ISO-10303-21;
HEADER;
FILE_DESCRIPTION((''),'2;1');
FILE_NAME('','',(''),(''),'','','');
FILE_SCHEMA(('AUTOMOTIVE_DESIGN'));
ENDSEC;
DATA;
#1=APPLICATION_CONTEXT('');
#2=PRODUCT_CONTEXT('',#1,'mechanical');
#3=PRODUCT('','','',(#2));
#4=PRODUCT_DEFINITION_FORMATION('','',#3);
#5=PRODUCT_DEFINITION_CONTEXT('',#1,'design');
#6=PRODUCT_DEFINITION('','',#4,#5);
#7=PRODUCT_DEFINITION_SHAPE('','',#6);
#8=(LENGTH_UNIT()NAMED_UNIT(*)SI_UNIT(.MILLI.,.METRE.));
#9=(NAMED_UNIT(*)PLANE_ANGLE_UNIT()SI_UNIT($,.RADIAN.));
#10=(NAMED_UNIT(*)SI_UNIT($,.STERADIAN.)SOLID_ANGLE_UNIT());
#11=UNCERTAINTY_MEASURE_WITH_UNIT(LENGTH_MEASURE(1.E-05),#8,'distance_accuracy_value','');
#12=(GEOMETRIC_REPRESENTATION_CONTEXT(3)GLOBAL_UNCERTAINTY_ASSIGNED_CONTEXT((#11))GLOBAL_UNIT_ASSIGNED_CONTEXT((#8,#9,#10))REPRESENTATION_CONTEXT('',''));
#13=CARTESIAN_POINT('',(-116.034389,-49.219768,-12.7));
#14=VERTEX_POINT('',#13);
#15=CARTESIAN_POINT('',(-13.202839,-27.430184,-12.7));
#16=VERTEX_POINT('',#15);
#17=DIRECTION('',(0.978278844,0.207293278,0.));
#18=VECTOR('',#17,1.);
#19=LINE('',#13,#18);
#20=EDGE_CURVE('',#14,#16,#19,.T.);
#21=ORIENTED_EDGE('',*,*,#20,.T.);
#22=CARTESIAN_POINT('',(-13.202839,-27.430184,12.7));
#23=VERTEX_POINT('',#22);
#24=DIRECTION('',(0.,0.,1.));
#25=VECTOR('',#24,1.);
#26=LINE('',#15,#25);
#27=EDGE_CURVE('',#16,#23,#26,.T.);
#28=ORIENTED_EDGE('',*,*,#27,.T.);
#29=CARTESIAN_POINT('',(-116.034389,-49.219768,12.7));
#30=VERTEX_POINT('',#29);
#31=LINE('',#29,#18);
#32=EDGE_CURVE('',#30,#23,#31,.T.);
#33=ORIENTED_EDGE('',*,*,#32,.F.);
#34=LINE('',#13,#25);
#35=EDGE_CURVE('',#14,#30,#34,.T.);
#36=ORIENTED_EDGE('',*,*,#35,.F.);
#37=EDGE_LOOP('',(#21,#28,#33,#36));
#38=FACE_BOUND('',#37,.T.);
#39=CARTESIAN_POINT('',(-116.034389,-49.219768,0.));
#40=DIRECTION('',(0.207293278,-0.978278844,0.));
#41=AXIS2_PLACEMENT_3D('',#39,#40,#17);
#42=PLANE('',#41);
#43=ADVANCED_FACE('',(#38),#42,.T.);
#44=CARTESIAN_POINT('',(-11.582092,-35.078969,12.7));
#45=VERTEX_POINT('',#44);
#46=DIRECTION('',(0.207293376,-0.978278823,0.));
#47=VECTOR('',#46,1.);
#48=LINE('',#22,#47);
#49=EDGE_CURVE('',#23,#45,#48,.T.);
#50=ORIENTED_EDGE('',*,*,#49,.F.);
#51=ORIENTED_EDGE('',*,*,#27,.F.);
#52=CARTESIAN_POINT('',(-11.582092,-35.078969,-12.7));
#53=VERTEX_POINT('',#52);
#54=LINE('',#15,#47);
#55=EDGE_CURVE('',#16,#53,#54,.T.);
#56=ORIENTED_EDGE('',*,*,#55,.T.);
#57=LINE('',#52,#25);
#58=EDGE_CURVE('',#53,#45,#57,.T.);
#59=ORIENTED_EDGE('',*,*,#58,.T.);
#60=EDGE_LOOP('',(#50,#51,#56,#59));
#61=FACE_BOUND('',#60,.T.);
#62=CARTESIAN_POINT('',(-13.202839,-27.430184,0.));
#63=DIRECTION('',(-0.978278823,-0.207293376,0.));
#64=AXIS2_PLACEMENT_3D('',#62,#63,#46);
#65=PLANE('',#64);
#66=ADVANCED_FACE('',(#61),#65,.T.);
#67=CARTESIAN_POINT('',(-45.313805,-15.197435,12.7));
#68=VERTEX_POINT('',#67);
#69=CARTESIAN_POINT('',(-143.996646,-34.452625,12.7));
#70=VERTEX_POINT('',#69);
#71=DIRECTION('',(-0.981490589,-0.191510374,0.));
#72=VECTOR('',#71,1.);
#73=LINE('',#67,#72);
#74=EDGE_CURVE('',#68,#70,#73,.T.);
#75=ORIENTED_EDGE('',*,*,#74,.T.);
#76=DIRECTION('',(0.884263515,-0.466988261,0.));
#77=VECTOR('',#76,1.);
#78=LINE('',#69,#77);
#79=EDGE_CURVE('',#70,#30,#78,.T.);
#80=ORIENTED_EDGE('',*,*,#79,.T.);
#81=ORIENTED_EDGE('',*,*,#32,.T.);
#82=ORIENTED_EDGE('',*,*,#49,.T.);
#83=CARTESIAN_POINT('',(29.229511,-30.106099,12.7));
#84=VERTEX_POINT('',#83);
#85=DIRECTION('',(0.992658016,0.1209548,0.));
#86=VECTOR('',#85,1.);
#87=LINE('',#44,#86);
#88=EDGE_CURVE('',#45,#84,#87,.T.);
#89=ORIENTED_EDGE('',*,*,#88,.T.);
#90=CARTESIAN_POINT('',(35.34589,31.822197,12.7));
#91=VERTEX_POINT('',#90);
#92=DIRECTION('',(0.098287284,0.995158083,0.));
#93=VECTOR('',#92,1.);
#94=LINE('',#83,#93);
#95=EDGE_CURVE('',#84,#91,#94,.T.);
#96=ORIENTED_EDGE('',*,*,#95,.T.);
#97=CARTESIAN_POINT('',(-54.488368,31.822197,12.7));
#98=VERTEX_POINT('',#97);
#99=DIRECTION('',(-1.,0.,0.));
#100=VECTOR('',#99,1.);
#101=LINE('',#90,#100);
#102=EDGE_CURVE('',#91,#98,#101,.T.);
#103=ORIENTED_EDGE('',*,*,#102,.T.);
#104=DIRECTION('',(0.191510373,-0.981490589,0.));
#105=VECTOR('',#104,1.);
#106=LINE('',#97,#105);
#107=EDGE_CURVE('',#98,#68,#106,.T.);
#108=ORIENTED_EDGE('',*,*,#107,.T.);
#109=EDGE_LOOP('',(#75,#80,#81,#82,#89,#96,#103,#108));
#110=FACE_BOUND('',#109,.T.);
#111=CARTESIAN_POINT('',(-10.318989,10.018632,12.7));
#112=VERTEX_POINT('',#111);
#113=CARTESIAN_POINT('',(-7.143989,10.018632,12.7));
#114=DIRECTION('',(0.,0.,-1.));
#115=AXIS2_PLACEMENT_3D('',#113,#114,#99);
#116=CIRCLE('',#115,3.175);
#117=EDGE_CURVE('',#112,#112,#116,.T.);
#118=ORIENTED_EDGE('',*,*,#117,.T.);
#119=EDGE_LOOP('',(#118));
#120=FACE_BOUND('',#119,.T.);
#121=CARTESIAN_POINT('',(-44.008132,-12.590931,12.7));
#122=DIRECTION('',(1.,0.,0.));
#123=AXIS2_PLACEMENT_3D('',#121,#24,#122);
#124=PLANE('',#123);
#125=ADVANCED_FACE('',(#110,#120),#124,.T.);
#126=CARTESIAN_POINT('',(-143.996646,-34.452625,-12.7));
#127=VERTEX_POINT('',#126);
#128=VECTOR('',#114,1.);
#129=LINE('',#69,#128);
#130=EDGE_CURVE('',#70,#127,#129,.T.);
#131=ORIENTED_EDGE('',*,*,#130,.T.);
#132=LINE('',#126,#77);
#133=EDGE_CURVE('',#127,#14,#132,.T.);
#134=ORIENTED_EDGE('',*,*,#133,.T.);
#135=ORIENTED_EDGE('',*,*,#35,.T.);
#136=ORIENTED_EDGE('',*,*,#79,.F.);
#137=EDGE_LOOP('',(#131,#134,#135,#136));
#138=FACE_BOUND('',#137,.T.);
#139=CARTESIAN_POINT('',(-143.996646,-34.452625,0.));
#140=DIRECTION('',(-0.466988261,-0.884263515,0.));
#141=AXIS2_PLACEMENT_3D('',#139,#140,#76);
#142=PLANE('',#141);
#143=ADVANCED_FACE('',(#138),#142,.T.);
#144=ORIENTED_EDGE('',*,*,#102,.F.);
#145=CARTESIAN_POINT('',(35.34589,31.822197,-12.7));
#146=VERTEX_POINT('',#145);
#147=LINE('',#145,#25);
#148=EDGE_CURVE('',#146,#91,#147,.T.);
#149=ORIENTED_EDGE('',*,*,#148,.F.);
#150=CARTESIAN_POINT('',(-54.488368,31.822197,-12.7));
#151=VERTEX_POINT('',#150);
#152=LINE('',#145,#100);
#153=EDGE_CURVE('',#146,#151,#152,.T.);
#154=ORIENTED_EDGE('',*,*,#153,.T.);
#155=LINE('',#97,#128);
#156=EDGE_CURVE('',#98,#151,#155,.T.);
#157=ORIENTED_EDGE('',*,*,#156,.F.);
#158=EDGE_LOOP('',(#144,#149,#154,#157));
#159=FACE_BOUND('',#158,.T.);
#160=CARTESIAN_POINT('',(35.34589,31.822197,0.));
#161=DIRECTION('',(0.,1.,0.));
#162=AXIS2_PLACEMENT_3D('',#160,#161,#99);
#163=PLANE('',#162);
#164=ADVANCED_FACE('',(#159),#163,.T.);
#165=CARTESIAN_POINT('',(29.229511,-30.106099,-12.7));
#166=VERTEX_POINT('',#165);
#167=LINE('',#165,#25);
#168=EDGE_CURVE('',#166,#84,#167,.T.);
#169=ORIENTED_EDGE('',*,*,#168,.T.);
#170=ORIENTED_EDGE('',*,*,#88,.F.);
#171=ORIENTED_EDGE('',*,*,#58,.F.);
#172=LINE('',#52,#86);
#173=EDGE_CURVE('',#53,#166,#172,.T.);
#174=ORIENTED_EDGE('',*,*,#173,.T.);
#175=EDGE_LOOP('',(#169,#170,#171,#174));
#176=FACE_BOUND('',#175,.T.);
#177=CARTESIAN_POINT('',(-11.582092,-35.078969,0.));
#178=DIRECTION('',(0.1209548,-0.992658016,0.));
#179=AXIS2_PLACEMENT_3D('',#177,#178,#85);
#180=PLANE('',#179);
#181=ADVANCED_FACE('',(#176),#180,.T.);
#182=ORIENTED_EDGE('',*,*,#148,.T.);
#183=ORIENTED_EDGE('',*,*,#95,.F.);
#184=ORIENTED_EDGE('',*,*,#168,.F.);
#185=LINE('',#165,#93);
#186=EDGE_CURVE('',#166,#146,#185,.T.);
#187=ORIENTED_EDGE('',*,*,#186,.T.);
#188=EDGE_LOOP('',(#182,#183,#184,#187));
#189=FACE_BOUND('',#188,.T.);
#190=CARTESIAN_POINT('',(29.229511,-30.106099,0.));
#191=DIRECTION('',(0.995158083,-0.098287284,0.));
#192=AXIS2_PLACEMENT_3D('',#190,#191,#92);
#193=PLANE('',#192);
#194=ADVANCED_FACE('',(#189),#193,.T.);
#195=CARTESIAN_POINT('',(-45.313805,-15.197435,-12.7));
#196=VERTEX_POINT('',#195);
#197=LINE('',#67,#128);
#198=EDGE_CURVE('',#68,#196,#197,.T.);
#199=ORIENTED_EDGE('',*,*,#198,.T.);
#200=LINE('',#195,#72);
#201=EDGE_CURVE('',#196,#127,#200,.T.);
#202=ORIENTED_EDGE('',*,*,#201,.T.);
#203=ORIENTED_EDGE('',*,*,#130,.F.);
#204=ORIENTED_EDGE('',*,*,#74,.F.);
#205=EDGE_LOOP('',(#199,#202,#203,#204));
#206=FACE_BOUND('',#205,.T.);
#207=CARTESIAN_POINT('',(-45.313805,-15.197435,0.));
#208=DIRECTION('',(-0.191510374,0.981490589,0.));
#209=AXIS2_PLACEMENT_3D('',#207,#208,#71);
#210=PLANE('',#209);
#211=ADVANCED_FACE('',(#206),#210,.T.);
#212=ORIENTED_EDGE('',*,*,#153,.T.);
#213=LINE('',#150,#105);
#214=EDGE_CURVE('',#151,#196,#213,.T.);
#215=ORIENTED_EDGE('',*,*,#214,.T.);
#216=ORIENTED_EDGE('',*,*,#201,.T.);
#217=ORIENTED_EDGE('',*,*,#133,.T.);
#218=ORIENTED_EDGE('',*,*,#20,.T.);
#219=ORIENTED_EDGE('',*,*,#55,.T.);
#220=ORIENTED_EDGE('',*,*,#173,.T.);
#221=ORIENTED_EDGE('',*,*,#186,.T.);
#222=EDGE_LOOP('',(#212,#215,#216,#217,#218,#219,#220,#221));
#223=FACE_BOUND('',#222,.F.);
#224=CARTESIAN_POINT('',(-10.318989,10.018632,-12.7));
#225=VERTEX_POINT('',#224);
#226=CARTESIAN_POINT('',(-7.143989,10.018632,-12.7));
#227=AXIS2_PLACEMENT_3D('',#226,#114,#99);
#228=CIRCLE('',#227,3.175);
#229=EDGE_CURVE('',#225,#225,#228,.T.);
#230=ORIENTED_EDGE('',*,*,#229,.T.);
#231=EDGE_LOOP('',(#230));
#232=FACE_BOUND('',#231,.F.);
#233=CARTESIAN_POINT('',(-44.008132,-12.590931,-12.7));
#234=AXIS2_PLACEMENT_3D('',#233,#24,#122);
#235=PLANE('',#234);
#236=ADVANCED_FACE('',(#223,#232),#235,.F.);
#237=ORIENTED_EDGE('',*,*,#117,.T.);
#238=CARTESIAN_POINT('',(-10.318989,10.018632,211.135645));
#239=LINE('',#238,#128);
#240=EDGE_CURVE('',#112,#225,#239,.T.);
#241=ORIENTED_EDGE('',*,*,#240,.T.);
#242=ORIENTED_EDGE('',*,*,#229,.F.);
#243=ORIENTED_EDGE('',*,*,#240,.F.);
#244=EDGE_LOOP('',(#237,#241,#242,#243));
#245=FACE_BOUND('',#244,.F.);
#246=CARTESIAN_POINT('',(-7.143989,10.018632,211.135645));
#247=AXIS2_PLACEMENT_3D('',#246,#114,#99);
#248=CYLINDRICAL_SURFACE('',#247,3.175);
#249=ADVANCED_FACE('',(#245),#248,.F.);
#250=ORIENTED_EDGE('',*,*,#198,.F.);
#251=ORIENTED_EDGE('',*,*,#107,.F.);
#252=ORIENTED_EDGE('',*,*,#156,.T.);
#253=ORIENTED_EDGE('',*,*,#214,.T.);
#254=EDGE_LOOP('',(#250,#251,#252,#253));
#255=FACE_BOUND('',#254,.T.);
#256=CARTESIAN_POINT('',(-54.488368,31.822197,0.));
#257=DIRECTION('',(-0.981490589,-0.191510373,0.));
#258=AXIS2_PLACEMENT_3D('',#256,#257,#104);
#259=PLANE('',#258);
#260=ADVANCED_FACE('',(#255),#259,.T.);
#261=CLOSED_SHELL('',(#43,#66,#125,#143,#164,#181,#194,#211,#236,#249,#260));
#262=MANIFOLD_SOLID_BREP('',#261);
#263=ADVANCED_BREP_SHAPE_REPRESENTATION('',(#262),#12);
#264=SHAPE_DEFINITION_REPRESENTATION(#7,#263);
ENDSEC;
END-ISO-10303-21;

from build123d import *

# Parameters (mm, degrees)
F1_DEPTH = 12.7
F3_D     = 6.35


with BuildPart() as f1:
    # F0 (on Top) → F1 (new body, symmetric)
    with BuildSketch(Plane.XY):
        Polygon((-143.996646, -34.452625), (-116.034389, -49.219768), (-13.202839, -27.430184), (-11.582092, -35.078969), (29.229511, -30.106099), (35.34589, 31.822197), (-54.488368, 31.822197), (-45.313805, -15.197435), align=None)
    extrude(amount=F1_DEPTH, both=True)

    # F3 (through all)
    with Locations(Plane.XY.offset(12.7)):
        with Locations((-7.143989, 10.018632)):
            Hole(F3_D / 2)


solid = f1.part
